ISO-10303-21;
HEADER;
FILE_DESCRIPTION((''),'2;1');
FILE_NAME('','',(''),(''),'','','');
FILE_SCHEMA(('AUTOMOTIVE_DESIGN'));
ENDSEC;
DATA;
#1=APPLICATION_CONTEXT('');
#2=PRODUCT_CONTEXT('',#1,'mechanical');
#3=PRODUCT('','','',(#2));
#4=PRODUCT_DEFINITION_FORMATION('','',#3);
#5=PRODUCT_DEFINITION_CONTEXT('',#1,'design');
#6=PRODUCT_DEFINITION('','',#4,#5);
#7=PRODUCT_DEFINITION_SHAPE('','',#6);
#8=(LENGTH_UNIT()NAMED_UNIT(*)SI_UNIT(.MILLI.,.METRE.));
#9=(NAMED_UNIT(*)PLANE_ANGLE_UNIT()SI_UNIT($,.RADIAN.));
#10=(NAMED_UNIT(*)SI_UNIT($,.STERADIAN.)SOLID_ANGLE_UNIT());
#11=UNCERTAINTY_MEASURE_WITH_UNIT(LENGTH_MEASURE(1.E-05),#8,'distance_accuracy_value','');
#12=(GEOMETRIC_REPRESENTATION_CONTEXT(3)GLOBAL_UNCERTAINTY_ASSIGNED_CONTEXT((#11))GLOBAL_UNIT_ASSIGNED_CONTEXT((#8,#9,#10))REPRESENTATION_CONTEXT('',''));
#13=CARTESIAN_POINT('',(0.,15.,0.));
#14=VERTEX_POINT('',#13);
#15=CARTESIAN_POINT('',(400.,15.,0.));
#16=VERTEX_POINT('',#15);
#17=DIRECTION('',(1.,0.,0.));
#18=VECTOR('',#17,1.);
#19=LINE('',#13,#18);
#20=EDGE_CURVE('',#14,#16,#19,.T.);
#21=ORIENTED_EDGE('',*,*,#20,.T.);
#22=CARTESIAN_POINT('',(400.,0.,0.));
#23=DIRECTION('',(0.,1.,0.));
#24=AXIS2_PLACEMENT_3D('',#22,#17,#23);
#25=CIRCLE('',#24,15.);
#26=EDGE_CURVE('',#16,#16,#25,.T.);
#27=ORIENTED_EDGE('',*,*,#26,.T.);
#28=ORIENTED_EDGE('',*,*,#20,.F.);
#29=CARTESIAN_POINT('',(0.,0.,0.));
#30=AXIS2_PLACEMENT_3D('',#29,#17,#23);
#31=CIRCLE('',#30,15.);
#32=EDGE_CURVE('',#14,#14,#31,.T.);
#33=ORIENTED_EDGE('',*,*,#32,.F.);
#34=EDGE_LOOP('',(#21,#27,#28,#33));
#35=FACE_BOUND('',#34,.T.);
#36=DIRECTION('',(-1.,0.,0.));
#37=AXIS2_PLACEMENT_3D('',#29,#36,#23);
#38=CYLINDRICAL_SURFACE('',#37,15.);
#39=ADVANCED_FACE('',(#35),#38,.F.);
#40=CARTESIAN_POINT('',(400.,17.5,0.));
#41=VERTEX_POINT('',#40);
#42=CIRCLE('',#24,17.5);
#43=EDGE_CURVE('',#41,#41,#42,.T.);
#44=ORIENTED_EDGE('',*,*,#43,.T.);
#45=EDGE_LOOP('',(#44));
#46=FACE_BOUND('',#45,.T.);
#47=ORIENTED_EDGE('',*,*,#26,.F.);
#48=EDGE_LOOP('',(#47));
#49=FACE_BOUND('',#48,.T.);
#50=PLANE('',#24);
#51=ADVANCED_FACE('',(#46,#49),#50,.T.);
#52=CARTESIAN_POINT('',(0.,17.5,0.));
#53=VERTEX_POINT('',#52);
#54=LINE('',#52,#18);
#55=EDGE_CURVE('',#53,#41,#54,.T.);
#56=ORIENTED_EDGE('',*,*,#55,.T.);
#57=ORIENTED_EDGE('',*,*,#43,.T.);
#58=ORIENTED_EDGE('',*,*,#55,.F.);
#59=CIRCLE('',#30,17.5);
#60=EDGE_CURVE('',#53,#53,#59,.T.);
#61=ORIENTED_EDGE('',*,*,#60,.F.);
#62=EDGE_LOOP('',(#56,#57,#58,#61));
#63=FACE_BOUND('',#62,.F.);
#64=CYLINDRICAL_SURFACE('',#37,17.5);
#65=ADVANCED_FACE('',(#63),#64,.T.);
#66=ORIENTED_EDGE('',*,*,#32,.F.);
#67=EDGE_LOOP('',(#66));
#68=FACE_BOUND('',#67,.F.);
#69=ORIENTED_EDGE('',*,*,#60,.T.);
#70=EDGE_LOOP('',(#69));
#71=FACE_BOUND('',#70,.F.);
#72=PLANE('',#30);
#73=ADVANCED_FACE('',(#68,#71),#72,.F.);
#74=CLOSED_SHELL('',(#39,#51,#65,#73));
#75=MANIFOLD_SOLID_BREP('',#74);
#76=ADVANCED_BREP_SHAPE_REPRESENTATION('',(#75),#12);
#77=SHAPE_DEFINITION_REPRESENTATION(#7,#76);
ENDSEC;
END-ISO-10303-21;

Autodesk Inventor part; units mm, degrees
ref_plane "YZ Plane" through (0, 0, 0) normal (1, 0, 0) x (0, 1, 0)
ref_plane "XZ Plane" through (0, 0, 0) normal (0, 1, 0) x (-1, 0, 0)
ref_plane "XY Plane" through (0, 0, 0) normal (0, 0, 1) x (1, 0, 0)
sketch "Boceto1" plane through (0, 0, 0) normal (1, 0, 0) x (0, 1, 0)
  circle A0 centre (0, 0) radius 15
  circle A1 centre (0, 0) radius 17.5
  dimension "d0" = 30
  dimension "d1" = 35
extrude "Extrusión1" add sketch "Boceto1" along normal blind 400
properties part number "Tubo_ensayo"
